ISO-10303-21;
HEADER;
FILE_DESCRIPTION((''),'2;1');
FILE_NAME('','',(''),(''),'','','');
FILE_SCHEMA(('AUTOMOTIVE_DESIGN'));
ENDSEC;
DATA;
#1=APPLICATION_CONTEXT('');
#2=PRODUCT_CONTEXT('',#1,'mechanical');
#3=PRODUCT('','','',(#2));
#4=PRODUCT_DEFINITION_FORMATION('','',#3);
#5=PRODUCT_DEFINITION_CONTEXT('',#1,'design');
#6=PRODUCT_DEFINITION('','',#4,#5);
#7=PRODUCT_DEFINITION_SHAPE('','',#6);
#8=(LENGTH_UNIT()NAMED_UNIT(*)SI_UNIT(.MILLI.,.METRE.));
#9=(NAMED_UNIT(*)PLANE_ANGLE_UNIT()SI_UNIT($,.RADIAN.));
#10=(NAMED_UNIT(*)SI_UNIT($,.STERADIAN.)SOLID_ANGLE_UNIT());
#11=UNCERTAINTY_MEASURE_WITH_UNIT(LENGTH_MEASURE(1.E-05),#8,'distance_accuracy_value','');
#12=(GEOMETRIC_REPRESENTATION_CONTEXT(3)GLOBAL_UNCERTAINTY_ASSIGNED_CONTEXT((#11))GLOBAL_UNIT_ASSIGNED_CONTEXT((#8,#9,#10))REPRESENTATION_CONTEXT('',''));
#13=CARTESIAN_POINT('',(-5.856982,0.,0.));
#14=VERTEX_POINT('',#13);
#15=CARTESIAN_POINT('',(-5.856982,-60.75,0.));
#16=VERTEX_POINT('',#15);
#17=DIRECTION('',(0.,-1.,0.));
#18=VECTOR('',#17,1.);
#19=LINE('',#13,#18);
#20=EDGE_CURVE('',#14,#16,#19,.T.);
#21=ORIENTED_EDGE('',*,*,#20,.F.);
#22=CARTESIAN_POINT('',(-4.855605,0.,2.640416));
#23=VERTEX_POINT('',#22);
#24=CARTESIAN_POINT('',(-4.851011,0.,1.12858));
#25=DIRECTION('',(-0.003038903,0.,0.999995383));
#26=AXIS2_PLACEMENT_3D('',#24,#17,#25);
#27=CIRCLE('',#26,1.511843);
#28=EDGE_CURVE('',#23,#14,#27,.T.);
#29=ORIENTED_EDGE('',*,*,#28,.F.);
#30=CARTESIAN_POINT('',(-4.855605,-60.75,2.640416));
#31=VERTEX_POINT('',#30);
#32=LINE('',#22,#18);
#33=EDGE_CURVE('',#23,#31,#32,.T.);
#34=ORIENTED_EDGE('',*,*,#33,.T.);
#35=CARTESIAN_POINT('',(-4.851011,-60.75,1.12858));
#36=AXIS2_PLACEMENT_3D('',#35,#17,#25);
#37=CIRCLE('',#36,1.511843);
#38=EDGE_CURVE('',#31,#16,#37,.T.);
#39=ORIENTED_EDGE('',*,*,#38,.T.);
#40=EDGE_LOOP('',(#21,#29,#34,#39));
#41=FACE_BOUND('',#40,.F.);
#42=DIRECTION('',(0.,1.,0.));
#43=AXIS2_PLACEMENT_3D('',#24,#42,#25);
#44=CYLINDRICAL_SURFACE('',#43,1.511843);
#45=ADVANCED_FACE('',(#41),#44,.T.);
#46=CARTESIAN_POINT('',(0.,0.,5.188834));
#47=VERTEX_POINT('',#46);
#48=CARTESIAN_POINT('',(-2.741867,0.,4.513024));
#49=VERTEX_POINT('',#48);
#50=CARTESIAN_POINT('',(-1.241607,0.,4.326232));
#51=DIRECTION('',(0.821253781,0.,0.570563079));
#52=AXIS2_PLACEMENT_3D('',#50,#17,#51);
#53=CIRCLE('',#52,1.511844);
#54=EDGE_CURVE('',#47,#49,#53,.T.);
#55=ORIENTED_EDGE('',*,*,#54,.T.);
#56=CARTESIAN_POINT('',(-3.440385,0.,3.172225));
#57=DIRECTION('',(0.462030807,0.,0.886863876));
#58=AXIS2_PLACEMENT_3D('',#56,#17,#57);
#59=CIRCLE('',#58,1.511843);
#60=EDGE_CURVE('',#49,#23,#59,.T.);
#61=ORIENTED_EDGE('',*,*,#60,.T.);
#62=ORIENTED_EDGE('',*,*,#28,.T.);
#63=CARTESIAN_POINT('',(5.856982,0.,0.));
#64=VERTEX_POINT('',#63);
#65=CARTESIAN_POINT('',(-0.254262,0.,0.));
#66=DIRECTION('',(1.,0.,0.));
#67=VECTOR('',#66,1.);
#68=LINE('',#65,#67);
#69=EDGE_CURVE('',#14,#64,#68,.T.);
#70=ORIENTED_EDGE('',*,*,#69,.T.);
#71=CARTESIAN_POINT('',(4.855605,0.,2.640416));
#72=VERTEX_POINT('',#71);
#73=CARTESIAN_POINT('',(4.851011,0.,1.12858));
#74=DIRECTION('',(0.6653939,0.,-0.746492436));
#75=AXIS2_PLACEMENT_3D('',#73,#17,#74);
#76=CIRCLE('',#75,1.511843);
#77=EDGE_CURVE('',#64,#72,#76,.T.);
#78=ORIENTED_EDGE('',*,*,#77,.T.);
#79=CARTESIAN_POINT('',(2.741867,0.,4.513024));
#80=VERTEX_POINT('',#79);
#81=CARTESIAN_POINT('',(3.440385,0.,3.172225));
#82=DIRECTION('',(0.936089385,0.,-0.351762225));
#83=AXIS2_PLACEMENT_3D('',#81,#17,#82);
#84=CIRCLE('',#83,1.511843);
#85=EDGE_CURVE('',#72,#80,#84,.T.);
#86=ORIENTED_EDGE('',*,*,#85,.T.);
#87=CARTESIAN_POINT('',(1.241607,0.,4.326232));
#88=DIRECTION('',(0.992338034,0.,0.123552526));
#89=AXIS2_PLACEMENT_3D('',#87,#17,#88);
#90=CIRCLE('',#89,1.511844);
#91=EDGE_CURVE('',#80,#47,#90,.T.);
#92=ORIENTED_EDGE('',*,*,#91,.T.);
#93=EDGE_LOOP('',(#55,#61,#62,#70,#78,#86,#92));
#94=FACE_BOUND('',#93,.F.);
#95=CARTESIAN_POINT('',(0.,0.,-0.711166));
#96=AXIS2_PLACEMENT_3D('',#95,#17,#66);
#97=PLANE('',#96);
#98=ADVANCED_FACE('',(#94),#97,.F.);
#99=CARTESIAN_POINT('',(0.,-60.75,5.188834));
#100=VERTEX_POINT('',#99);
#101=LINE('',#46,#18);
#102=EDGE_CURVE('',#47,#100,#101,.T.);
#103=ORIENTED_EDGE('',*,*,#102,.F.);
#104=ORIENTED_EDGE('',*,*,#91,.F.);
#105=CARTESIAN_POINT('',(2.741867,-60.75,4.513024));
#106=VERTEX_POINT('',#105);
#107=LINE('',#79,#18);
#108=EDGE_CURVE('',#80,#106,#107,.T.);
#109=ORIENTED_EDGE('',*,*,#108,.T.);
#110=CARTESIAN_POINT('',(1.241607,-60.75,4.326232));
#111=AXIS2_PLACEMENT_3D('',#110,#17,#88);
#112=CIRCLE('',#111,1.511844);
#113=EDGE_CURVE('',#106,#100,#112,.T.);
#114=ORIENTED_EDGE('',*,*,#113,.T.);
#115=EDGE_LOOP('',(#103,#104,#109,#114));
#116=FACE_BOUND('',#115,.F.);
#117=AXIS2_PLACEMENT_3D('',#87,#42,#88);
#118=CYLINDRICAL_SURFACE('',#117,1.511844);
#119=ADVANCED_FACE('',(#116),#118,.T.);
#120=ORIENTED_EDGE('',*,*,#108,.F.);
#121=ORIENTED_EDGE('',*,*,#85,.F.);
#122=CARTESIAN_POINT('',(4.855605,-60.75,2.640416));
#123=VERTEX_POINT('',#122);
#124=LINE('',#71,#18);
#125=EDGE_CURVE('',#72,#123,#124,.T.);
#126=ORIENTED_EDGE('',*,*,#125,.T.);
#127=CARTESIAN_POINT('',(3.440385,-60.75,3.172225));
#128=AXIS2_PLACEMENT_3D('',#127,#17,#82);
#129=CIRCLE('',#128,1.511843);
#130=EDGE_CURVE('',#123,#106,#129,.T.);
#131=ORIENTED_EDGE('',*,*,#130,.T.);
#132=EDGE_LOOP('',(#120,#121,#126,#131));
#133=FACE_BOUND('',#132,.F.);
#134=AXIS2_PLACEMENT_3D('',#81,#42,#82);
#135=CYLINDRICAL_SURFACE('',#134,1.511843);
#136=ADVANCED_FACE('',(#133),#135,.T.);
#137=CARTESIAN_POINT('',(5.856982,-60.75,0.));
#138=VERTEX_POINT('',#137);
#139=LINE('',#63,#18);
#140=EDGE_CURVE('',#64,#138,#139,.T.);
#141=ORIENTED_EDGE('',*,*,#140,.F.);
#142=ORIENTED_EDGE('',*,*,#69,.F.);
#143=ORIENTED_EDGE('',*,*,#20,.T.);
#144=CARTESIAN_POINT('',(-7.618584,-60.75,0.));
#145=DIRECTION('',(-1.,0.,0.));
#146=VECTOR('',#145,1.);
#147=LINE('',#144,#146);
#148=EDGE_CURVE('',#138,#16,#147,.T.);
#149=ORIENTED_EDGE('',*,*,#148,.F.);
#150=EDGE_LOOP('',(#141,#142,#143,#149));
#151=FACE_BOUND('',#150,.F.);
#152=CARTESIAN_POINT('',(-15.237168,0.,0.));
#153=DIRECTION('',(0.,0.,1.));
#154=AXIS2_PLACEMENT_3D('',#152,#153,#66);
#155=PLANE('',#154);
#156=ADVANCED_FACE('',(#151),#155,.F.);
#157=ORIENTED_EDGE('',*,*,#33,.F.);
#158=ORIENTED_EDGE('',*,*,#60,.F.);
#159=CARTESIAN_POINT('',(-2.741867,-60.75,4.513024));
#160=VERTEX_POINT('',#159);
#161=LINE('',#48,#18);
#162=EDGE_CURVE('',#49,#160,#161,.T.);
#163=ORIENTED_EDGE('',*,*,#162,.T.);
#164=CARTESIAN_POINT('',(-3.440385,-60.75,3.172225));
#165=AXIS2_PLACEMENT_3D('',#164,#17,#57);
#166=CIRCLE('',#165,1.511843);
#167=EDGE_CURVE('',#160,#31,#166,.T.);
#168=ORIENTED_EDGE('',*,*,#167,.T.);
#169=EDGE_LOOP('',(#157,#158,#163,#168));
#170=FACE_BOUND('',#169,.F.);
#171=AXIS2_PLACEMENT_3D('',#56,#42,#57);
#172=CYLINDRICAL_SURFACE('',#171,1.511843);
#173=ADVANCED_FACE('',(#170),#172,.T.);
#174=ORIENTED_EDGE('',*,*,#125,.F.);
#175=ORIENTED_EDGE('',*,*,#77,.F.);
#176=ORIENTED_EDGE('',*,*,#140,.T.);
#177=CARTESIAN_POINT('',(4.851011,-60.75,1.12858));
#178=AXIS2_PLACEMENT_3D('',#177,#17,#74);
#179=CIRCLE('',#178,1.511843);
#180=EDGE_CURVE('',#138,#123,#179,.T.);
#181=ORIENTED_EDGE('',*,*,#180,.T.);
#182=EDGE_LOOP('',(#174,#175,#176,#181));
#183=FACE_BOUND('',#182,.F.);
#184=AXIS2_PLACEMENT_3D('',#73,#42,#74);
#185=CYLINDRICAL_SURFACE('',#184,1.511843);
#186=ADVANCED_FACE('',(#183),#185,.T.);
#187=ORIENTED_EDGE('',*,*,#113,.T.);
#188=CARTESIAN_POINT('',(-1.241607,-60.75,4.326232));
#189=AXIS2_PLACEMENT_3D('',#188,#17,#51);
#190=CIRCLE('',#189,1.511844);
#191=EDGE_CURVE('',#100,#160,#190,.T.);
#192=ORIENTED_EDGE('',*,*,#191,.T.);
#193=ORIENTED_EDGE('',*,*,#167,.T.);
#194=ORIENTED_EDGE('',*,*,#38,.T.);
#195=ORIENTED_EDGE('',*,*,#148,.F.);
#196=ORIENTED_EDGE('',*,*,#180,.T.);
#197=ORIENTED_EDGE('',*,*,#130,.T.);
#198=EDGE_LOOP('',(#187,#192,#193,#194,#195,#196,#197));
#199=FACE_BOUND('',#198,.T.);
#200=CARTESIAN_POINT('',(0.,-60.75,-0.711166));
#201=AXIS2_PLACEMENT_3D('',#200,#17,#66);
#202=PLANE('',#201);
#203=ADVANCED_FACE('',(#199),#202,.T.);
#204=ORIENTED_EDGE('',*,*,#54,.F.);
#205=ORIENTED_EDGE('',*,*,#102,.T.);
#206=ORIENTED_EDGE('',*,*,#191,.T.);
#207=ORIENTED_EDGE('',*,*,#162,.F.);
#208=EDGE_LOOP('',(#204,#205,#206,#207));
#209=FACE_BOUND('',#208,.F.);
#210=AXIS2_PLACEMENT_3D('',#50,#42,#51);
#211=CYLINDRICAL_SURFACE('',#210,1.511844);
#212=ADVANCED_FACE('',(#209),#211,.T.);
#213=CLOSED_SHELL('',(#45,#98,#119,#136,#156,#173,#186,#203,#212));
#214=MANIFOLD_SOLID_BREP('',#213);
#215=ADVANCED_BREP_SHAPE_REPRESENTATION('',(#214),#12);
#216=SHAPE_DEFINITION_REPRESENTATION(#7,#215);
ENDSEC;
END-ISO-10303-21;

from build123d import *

# Parameters (mm, degrees)
F1_DEPTH = 60.75
F2_W     = 29.965812
F2_H     = 12.152278
F3_DEPTH = 80


with BuildPart() as f1:
    # F0 (on Front) → F1 (new body)
    with BuildSketch(Plane.XZ):
        with BuildLine():
            ThreePointArc((4.855605, 2.640416), (4.442922, 4.303856), (2.741867, 4.513024))
            ThreePointArc((2.741867, 4.513024), (1.603415, 5.794144), (0, 5.188834))
            ThreePointArc((0, 5.188834), (-1.603415, 5.794144), (-2.741867, 4.513024))
            ThreePointArc((-2.741867, 4.513024), (-4.442922, 4.303856), (-4.855605, 2.640416))
            ThreePointArc((-4.855605, 2.640416), (-6.264609, 1.664686), (-5.856982, 0))
            ThreePointArc((-5.856982, 0), (-6.651149, -1.518762), (-5.516596, -2.803335))
            ThreePointArc((-5.516596, -2.803335), (-5.513992, -4.5172), (-3.912424, -5.12738))
            ThreePointArc((-3.912424, -5.12738), (-3.113645, -6.643722), (-1.411962, -6.439723))
            ThreePointArc((-1.411962, -6.439723), (0, -7.411166), (1.411962, -6.439723))
            ThreePointArc((1.411962, -6.439723), (3.113645, -6.643722), (3.912424, -5.12738))
            ThreePointArc((3.912424, -5.12738), (5.513992, -4.5172), (5.516596, -2.803335))
            ThreePointArc((5.516596, -2.803335), (6.651149, -1.518762), (5.856982, 0))
            ThreePointArc((5.856982, 0), (6.264609, 1.664686), (4.855605, 2.640416))
        make_face()
    extrude(amount=F1_DEPTH)

    # F2 (on Front) → F3 (cut)
    with BuildSketch(Plane.XZ):
        with Locations((-0.254262, -6.076139)):
            Rectangle(F2_W, F2_H)
    extrude(amount=F3_DEPTH, mode=Mode.SUBTRACT)


solid = f1.part
